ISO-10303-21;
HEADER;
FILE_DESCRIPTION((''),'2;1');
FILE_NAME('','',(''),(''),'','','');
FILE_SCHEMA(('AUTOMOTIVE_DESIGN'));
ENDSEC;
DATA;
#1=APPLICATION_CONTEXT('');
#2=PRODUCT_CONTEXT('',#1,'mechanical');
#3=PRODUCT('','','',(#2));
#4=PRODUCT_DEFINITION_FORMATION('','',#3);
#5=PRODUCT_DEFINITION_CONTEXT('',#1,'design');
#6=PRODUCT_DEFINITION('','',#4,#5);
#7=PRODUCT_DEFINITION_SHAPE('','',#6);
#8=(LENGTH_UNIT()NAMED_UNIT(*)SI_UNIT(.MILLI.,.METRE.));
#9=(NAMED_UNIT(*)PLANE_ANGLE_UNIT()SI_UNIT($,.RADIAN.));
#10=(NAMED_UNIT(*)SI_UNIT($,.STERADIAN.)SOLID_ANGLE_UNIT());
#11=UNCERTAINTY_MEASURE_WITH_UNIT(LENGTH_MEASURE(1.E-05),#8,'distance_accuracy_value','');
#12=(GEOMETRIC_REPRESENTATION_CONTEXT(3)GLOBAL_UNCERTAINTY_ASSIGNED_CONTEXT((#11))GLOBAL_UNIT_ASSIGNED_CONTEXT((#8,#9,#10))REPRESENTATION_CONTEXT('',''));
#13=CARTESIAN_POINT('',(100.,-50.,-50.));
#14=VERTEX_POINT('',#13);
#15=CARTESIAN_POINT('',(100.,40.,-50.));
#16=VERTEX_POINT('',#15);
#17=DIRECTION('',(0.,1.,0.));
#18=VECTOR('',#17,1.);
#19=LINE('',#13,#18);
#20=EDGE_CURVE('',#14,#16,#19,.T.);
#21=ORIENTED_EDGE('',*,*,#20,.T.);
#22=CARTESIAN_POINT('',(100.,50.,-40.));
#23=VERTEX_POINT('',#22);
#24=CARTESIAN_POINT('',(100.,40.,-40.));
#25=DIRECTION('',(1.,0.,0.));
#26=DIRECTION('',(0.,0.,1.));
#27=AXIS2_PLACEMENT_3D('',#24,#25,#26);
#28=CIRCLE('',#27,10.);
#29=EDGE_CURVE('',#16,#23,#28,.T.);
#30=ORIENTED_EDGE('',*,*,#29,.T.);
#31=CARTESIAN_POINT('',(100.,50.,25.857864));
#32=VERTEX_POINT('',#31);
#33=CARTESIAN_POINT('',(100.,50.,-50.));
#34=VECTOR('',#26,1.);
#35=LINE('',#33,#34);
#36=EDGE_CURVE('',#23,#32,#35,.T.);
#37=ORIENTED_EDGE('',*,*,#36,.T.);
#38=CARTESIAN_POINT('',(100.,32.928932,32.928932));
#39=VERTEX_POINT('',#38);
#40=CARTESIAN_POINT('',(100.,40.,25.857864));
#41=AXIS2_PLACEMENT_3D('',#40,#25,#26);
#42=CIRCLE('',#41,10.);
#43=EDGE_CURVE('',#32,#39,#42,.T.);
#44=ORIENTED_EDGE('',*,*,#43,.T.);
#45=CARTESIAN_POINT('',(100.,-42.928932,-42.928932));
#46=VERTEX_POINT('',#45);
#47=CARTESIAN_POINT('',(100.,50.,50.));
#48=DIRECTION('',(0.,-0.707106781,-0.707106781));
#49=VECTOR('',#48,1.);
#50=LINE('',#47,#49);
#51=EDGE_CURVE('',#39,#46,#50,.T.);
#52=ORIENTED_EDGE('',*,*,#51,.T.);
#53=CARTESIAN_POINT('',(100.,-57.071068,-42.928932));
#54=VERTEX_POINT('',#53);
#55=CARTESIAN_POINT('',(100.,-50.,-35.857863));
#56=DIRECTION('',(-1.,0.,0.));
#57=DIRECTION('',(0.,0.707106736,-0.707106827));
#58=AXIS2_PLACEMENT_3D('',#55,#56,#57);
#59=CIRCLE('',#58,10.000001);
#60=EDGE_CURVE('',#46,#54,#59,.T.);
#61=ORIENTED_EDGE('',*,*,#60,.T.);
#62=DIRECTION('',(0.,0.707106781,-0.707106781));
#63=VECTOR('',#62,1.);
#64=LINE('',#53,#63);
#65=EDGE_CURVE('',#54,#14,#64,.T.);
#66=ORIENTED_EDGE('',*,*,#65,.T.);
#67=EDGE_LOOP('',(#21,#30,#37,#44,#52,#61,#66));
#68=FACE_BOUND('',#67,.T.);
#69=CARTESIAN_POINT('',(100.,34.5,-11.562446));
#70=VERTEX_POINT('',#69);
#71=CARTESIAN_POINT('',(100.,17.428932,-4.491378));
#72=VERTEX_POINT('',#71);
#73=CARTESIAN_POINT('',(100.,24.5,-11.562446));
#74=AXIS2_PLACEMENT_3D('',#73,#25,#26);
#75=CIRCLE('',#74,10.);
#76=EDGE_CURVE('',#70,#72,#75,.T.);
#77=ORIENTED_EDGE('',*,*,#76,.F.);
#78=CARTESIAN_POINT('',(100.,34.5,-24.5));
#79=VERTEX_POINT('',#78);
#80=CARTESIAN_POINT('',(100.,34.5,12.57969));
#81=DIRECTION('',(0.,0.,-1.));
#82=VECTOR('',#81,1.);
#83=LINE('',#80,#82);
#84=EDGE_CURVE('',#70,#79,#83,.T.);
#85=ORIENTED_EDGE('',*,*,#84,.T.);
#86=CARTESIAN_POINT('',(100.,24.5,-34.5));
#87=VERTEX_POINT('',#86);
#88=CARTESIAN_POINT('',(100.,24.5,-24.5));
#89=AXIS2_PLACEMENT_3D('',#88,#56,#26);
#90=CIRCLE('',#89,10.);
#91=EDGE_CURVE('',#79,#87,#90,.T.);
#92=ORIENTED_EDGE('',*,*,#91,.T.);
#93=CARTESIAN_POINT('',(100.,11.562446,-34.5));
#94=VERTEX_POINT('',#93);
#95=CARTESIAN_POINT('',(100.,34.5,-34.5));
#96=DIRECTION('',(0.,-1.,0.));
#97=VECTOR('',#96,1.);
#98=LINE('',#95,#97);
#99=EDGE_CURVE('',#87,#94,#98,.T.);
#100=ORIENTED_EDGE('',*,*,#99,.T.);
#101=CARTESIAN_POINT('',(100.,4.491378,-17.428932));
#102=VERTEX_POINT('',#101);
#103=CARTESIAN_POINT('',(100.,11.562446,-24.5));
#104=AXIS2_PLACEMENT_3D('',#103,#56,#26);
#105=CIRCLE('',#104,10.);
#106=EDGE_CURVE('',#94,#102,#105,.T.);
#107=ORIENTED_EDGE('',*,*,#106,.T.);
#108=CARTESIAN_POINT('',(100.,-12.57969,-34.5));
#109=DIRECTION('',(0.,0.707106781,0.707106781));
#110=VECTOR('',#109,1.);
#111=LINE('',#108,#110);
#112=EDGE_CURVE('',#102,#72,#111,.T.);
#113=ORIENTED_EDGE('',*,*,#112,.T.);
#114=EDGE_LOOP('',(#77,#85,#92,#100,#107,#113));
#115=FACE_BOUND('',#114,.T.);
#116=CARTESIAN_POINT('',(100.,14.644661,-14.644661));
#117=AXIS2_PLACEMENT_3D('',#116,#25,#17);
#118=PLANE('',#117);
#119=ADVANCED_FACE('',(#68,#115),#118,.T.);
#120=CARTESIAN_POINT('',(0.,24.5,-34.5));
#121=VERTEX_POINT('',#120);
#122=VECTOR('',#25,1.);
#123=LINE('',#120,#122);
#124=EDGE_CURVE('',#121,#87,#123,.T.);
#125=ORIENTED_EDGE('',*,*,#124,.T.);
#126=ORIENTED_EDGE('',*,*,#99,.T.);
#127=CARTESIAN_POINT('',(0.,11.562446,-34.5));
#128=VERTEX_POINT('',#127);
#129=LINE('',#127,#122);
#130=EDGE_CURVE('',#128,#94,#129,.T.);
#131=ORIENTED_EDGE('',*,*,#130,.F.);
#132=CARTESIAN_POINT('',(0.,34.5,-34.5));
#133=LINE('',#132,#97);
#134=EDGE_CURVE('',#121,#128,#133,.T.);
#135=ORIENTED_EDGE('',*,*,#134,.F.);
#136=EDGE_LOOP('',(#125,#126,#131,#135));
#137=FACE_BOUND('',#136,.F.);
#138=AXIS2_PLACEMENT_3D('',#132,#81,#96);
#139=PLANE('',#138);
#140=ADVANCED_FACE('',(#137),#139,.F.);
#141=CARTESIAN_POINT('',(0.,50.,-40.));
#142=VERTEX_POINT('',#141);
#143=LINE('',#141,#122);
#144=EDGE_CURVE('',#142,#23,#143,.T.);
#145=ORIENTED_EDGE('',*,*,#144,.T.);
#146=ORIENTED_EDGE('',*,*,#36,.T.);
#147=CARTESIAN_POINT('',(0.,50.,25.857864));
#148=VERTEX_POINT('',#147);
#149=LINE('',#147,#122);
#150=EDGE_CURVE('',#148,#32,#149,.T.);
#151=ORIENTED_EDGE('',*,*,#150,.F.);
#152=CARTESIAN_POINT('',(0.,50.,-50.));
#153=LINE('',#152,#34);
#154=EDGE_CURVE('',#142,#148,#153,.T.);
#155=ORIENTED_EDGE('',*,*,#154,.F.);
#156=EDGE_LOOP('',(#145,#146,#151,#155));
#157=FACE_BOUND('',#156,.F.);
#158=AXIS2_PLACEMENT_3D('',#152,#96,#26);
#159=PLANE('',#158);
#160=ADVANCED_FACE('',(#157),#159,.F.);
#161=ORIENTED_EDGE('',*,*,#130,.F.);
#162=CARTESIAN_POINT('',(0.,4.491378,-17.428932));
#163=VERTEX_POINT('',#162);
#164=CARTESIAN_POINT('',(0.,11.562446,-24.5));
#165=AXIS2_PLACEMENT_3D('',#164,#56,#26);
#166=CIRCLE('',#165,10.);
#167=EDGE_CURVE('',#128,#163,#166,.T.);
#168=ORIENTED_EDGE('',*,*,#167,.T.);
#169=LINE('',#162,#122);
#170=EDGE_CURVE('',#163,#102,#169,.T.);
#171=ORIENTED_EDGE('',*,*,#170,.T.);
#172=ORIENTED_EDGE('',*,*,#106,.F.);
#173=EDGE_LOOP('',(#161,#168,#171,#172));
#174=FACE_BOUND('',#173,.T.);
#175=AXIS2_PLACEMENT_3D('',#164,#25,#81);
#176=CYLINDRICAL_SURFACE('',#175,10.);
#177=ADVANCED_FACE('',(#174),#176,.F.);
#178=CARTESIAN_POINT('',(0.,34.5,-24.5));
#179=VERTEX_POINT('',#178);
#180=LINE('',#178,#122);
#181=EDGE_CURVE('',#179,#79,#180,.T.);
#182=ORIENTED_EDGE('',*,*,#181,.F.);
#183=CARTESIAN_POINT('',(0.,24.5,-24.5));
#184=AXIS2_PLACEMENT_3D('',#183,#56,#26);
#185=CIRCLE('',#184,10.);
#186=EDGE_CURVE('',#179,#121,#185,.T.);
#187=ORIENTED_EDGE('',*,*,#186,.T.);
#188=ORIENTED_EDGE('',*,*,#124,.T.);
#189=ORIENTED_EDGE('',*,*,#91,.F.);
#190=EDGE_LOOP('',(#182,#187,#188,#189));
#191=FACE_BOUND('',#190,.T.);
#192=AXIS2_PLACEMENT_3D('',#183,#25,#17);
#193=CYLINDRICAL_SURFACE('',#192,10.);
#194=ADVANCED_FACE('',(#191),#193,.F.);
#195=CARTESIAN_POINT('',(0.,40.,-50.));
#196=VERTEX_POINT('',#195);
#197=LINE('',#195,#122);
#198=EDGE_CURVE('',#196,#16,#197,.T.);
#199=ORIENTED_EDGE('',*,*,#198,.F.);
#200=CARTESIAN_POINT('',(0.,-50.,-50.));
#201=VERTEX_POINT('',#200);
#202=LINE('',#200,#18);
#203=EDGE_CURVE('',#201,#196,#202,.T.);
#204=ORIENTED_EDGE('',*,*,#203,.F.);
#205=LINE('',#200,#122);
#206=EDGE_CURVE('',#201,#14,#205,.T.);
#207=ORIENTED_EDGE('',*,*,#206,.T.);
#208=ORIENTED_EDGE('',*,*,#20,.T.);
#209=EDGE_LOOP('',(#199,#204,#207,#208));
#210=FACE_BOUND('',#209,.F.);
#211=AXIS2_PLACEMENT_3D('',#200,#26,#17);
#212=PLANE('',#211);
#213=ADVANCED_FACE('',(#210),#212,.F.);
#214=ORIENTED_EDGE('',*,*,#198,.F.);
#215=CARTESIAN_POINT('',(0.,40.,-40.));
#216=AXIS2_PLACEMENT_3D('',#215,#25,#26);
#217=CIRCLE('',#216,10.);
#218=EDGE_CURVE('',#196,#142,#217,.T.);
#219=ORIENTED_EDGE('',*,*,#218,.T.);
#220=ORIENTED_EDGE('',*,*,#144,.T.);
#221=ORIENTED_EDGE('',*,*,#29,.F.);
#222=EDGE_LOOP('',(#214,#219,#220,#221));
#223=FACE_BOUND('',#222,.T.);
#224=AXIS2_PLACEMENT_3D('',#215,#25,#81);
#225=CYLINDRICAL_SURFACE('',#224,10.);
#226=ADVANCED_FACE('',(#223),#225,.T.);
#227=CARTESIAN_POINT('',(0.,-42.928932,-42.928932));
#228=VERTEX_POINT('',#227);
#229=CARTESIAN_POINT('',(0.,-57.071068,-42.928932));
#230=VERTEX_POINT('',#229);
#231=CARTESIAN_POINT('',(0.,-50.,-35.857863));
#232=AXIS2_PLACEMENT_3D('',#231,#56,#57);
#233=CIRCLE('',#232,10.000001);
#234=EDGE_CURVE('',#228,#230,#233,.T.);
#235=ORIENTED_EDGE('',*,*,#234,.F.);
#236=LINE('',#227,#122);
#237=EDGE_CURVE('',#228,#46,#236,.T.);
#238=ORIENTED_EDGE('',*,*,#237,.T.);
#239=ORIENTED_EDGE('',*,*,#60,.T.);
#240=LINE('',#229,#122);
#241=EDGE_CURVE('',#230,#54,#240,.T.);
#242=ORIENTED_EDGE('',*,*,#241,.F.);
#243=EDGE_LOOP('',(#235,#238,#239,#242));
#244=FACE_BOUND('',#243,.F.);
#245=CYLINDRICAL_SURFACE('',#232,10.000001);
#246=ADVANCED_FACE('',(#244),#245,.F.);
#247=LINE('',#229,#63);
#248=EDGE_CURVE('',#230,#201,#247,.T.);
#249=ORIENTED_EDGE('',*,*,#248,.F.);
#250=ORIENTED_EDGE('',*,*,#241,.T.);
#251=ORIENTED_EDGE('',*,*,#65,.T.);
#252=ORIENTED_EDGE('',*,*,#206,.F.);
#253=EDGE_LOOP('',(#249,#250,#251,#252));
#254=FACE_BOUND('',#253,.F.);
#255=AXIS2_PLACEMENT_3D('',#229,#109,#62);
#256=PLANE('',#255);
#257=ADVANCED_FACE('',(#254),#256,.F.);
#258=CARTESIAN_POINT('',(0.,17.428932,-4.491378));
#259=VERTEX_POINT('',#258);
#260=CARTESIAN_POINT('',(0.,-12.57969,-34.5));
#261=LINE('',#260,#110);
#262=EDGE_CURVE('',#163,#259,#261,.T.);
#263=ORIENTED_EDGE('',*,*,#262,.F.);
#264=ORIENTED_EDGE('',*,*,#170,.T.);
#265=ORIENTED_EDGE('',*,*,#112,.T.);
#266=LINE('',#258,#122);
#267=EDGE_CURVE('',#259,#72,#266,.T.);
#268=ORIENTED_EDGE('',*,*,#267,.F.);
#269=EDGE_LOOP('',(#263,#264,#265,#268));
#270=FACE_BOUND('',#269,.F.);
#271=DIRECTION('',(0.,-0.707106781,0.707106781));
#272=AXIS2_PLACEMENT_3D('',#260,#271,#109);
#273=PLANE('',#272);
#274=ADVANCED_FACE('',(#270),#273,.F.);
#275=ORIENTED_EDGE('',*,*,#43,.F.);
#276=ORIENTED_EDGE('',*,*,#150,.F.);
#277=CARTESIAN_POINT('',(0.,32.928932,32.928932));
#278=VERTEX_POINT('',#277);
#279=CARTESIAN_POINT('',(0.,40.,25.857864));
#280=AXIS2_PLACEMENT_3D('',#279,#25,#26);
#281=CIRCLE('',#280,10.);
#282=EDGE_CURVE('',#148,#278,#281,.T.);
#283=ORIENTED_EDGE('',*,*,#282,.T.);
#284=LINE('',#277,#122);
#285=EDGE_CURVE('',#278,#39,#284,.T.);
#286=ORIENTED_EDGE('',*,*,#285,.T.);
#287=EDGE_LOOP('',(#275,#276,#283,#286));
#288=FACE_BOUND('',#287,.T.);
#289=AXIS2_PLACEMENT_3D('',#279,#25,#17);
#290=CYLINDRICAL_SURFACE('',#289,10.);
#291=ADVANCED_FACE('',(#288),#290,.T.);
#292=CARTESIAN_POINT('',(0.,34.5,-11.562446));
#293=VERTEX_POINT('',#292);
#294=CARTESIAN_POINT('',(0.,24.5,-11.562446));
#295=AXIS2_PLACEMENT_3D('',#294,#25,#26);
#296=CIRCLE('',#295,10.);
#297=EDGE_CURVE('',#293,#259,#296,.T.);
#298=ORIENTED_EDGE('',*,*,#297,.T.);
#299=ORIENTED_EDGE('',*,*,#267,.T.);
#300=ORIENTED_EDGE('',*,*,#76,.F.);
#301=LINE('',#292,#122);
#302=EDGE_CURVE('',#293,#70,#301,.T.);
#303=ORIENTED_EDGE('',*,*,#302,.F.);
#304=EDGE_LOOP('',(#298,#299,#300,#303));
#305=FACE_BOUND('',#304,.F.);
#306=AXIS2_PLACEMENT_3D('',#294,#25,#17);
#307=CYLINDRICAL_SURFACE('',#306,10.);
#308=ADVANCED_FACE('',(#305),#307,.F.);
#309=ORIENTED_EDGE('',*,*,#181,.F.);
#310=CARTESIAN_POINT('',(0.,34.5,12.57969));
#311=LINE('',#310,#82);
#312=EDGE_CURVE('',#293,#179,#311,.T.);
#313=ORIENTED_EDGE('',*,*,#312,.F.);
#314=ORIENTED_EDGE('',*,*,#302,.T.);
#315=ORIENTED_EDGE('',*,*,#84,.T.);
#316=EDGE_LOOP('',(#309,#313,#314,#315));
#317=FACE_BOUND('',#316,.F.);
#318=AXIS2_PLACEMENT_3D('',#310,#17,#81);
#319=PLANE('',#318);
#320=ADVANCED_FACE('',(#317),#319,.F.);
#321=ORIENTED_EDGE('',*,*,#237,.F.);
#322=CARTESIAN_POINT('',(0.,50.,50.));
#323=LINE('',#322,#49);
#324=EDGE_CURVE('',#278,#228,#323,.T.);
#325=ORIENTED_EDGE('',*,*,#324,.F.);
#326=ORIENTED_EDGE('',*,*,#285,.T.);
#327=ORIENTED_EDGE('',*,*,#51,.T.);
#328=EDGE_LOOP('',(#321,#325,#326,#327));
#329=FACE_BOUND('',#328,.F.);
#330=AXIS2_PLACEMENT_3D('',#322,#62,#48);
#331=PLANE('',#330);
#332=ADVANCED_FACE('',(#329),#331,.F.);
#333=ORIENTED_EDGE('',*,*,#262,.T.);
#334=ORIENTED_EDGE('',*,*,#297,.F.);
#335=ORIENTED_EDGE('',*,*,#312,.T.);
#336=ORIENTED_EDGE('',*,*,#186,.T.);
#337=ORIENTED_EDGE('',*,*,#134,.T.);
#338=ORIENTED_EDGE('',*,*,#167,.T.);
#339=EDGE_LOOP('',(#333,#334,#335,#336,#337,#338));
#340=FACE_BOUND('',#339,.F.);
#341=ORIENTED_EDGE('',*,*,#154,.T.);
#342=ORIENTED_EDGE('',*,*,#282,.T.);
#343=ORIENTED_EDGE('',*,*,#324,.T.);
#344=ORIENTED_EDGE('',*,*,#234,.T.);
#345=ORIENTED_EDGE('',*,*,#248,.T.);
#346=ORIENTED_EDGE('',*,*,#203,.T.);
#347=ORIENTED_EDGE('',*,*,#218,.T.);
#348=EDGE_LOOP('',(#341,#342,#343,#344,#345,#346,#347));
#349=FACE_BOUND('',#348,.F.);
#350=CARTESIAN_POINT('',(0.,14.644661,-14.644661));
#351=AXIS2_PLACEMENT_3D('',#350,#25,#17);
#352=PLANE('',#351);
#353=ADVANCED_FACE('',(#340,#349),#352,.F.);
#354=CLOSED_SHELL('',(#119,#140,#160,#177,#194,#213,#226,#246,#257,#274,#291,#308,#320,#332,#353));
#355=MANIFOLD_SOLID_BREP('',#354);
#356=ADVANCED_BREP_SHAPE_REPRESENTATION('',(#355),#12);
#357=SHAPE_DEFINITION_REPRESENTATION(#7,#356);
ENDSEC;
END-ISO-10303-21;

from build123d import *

# Parameters (mm, degrees)
F1_DEPTH = 100
F2_R     = 10


with BuildPart() as f1:
    # F0 (on Right) → F1 (new body)
    with BuildSketch(Plane.YZ):
        Polygon((-50, -50), (50, -50), (50, 50), (-42.928932, -42.928932), align=None)
        Polygon((34.5, -34.5), (-12.57969, -34.5), (34.5, 12.57969), align=None, mode=Mode.SUBTRACT)
        with BuildLine():
            Line((-57.071068, -42.928932), (-50, -50))
            Line((-50, -50), (-42.928932, -42.928932))
            ThreePointArc((-42.928932, -42.928932), (-50, -45.857864), (-57.071068, -42.928932))
        make_face()
    extrude(amount=F1_DEPTH)

    # F2
    f2_edges = [f1.edges().sort_by_distance(p)[0] for p in [
        (50, 50, 50),
        (50, 34.5, 12.57969),
        (50, 50, -50),
        (50, 34.5, -34.5),
        (50, -12.57969, -34.5),
    ]]
    fillet(f2_edges, radius=F2_R)


solid = f1.part
